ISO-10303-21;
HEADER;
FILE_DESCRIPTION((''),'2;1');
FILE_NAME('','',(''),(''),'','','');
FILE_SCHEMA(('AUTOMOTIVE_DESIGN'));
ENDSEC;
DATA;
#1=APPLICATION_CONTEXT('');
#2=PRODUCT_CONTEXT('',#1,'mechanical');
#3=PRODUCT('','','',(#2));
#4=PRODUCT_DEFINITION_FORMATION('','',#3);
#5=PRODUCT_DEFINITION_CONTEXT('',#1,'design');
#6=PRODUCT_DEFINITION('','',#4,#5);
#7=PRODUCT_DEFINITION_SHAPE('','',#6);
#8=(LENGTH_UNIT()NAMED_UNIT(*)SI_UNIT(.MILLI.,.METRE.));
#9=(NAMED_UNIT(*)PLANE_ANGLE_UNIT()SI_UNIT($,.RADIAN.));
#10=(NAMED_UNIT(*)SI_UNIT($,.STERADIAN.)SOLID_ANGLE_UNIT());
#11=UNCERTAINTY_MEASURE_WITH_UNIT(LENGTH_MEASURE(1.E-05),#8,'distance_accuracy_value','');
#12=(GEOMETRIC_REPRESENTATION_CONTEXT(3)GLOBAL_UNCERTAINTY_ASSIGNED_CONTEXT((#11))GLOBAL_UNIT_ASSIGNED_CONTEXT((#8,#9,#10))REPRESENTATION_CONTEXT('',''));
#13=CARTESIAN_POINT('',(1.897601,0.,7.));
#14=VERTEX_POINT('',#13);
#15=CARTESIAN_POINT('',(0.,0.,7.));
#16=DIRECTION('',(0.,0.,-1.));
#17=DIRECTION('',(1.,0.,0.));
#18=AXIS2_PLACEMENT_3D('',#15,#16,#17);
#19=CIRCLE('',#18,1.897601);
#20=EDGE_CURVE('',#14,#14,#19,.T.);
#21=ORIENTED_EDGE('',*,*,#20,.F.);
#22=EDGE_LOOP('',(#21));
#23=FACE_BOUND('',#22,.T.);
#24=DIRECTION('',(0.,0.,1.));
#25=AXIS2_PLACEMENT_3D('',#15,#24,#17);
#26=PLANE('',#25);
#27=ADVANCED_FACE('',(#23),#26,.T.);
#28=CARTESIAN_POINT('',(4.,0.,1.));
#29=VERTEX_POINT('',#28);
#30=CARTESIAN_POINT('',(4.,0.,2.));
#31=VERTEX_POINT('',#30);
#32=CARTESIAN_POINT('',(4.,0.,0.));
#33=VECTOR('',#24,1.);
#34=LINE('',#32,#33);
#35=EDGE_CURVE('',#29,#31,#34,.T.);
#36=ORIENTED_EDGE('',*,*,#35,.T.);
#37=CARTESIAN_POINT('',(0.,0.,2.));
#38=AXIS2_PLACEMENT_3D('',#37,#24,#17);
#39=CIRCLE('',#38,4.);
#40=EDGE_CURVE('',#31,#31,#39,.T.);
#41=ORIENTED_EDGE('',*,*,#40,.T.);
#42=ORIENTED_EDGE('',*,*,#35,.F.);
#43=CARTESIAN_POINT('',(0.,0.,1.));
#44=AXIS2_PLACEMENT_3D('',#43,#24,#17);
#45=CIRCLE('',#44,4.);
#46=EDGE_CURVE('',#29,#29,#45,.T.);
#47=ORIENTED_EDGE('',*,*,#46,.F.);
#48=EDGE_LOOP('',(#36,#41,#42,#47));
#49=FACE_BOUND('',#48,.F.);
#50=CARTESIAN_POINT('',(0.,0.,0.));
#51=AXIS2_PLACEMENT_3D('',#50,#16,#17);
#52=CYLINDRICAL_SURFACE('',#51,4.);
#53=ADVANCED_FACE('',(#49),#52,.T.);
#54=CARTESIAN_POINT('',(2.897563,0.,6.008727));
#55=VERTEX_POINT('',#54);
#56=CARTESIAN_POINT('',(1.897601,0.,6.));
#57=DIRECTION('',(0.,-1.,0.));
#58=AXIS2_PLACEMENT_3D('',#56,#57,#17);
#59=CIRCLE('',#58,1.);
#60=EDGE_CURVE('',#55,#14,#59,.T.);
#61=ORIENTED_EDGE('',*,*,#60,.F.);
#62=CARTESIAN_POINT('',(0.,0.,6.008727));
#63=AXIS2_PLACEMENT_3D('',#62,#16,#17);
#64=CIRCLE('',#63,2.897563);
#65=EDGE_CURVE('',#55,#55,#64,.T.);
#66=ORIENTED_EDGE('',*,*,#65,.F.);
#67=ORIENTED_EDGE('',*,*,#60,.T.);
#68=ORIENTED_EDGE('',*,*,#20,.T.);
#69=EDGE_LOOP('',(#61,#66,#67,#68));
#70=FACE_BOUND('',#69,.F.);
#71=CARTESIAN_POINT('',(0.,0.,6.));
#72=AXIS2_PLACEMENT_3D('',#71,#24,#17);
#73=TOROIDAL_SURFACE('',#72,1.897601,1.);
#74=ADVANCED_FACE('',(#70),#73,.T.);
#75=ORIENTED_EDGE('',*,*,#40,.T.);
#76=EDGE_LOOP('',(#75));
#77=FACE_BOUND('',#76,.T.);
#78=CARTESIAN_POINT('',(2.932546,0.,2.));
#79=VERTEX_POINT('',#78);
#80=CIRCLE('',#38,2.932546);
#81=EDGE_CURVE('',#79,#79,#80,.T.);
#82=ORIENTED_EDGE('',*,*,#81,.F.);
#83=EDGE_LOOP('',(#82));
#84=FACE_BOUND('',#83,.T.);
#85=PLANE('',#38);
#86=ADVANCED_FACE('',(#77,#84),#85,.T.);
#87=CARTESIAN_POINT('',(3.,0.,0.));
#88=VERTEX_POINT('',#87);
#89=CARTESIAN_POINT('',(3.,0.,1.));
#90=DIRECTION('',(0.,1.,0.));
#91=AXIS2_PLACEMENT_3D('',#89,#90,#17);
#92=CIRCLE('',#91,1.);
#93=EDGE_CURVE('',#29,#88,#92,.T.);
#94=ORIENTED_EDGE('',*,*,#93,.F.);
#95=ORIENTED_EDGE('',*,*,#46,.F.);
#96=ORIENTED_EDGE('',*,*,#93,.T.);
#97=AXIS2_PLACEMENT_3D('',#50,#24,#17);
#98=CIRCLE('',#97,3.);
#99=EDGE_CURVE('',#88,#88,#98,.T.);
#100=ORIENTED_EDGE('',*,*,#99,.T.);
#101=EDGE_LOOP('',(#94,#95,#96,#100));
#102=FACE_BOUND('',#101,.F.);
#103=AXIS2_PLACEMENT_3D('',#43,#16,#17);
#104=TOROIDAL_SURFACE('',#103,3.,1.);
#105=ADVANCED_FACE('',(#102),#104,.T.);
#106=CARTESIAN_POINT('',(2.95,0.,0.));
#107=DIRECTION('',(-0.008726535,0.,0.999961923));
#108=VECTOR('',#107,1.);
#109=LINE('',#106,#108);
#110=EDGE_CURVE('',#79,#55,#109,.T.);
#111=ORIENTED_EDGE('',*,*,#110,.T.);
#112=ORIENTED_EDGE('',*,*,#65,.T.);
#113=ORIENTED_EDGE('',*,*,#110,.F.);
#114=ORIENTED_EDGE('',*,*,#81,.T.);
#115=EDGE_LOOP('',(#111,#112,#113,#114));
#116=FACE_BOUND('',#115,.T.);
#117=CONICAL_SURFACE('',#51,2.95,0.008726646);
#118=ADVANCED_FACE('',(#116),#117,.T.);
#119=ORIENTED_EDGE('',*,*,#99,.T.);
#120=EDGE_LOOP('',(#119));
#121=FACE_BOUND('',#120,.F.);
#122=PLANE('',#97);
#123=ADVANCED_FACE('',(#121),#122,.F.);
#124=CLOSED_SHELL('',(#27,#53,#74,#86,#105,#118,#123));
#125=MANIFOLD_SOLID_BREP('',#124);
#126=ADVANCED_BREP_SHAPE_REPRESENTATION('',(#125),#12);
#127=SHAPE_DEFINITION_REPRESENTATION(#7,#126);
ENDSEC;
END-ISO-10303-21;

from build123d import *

# Parameters (mm, degrees)
F0_R     = 2.95
F1_DEPTH = 7
F1_TAPER = 0.5
F0_R_2   = 4
F2_DEPTH = 2
F3_R     = 1


with BuildPart() as f1:
    # F0 (on Top) → F1 (new body)
    with BuildSketch(Plane.XY):
        Circle(F0_R)
    extrude(amount=F1_DEPTH, taper=F1_TAPER)

    # F0 (on Top) → F2 (join)
    with BuildSketch(Plane.XY):
        Circle(F0_R_2)
        Circle(F0_R, mode=Mode.SUBTRACT)
        Circle(F0_R)
    extrude(amount=F2_DEPTH)

    # F3
    f3_edges = [f1.edges().sort_by_distance(p)[0] for p in [
        (-4, 0, 0),
        (-2.888912, 0, 7),
    ]]
    fillet(f3_edges, radius=F3_R)


solid = f1.part
